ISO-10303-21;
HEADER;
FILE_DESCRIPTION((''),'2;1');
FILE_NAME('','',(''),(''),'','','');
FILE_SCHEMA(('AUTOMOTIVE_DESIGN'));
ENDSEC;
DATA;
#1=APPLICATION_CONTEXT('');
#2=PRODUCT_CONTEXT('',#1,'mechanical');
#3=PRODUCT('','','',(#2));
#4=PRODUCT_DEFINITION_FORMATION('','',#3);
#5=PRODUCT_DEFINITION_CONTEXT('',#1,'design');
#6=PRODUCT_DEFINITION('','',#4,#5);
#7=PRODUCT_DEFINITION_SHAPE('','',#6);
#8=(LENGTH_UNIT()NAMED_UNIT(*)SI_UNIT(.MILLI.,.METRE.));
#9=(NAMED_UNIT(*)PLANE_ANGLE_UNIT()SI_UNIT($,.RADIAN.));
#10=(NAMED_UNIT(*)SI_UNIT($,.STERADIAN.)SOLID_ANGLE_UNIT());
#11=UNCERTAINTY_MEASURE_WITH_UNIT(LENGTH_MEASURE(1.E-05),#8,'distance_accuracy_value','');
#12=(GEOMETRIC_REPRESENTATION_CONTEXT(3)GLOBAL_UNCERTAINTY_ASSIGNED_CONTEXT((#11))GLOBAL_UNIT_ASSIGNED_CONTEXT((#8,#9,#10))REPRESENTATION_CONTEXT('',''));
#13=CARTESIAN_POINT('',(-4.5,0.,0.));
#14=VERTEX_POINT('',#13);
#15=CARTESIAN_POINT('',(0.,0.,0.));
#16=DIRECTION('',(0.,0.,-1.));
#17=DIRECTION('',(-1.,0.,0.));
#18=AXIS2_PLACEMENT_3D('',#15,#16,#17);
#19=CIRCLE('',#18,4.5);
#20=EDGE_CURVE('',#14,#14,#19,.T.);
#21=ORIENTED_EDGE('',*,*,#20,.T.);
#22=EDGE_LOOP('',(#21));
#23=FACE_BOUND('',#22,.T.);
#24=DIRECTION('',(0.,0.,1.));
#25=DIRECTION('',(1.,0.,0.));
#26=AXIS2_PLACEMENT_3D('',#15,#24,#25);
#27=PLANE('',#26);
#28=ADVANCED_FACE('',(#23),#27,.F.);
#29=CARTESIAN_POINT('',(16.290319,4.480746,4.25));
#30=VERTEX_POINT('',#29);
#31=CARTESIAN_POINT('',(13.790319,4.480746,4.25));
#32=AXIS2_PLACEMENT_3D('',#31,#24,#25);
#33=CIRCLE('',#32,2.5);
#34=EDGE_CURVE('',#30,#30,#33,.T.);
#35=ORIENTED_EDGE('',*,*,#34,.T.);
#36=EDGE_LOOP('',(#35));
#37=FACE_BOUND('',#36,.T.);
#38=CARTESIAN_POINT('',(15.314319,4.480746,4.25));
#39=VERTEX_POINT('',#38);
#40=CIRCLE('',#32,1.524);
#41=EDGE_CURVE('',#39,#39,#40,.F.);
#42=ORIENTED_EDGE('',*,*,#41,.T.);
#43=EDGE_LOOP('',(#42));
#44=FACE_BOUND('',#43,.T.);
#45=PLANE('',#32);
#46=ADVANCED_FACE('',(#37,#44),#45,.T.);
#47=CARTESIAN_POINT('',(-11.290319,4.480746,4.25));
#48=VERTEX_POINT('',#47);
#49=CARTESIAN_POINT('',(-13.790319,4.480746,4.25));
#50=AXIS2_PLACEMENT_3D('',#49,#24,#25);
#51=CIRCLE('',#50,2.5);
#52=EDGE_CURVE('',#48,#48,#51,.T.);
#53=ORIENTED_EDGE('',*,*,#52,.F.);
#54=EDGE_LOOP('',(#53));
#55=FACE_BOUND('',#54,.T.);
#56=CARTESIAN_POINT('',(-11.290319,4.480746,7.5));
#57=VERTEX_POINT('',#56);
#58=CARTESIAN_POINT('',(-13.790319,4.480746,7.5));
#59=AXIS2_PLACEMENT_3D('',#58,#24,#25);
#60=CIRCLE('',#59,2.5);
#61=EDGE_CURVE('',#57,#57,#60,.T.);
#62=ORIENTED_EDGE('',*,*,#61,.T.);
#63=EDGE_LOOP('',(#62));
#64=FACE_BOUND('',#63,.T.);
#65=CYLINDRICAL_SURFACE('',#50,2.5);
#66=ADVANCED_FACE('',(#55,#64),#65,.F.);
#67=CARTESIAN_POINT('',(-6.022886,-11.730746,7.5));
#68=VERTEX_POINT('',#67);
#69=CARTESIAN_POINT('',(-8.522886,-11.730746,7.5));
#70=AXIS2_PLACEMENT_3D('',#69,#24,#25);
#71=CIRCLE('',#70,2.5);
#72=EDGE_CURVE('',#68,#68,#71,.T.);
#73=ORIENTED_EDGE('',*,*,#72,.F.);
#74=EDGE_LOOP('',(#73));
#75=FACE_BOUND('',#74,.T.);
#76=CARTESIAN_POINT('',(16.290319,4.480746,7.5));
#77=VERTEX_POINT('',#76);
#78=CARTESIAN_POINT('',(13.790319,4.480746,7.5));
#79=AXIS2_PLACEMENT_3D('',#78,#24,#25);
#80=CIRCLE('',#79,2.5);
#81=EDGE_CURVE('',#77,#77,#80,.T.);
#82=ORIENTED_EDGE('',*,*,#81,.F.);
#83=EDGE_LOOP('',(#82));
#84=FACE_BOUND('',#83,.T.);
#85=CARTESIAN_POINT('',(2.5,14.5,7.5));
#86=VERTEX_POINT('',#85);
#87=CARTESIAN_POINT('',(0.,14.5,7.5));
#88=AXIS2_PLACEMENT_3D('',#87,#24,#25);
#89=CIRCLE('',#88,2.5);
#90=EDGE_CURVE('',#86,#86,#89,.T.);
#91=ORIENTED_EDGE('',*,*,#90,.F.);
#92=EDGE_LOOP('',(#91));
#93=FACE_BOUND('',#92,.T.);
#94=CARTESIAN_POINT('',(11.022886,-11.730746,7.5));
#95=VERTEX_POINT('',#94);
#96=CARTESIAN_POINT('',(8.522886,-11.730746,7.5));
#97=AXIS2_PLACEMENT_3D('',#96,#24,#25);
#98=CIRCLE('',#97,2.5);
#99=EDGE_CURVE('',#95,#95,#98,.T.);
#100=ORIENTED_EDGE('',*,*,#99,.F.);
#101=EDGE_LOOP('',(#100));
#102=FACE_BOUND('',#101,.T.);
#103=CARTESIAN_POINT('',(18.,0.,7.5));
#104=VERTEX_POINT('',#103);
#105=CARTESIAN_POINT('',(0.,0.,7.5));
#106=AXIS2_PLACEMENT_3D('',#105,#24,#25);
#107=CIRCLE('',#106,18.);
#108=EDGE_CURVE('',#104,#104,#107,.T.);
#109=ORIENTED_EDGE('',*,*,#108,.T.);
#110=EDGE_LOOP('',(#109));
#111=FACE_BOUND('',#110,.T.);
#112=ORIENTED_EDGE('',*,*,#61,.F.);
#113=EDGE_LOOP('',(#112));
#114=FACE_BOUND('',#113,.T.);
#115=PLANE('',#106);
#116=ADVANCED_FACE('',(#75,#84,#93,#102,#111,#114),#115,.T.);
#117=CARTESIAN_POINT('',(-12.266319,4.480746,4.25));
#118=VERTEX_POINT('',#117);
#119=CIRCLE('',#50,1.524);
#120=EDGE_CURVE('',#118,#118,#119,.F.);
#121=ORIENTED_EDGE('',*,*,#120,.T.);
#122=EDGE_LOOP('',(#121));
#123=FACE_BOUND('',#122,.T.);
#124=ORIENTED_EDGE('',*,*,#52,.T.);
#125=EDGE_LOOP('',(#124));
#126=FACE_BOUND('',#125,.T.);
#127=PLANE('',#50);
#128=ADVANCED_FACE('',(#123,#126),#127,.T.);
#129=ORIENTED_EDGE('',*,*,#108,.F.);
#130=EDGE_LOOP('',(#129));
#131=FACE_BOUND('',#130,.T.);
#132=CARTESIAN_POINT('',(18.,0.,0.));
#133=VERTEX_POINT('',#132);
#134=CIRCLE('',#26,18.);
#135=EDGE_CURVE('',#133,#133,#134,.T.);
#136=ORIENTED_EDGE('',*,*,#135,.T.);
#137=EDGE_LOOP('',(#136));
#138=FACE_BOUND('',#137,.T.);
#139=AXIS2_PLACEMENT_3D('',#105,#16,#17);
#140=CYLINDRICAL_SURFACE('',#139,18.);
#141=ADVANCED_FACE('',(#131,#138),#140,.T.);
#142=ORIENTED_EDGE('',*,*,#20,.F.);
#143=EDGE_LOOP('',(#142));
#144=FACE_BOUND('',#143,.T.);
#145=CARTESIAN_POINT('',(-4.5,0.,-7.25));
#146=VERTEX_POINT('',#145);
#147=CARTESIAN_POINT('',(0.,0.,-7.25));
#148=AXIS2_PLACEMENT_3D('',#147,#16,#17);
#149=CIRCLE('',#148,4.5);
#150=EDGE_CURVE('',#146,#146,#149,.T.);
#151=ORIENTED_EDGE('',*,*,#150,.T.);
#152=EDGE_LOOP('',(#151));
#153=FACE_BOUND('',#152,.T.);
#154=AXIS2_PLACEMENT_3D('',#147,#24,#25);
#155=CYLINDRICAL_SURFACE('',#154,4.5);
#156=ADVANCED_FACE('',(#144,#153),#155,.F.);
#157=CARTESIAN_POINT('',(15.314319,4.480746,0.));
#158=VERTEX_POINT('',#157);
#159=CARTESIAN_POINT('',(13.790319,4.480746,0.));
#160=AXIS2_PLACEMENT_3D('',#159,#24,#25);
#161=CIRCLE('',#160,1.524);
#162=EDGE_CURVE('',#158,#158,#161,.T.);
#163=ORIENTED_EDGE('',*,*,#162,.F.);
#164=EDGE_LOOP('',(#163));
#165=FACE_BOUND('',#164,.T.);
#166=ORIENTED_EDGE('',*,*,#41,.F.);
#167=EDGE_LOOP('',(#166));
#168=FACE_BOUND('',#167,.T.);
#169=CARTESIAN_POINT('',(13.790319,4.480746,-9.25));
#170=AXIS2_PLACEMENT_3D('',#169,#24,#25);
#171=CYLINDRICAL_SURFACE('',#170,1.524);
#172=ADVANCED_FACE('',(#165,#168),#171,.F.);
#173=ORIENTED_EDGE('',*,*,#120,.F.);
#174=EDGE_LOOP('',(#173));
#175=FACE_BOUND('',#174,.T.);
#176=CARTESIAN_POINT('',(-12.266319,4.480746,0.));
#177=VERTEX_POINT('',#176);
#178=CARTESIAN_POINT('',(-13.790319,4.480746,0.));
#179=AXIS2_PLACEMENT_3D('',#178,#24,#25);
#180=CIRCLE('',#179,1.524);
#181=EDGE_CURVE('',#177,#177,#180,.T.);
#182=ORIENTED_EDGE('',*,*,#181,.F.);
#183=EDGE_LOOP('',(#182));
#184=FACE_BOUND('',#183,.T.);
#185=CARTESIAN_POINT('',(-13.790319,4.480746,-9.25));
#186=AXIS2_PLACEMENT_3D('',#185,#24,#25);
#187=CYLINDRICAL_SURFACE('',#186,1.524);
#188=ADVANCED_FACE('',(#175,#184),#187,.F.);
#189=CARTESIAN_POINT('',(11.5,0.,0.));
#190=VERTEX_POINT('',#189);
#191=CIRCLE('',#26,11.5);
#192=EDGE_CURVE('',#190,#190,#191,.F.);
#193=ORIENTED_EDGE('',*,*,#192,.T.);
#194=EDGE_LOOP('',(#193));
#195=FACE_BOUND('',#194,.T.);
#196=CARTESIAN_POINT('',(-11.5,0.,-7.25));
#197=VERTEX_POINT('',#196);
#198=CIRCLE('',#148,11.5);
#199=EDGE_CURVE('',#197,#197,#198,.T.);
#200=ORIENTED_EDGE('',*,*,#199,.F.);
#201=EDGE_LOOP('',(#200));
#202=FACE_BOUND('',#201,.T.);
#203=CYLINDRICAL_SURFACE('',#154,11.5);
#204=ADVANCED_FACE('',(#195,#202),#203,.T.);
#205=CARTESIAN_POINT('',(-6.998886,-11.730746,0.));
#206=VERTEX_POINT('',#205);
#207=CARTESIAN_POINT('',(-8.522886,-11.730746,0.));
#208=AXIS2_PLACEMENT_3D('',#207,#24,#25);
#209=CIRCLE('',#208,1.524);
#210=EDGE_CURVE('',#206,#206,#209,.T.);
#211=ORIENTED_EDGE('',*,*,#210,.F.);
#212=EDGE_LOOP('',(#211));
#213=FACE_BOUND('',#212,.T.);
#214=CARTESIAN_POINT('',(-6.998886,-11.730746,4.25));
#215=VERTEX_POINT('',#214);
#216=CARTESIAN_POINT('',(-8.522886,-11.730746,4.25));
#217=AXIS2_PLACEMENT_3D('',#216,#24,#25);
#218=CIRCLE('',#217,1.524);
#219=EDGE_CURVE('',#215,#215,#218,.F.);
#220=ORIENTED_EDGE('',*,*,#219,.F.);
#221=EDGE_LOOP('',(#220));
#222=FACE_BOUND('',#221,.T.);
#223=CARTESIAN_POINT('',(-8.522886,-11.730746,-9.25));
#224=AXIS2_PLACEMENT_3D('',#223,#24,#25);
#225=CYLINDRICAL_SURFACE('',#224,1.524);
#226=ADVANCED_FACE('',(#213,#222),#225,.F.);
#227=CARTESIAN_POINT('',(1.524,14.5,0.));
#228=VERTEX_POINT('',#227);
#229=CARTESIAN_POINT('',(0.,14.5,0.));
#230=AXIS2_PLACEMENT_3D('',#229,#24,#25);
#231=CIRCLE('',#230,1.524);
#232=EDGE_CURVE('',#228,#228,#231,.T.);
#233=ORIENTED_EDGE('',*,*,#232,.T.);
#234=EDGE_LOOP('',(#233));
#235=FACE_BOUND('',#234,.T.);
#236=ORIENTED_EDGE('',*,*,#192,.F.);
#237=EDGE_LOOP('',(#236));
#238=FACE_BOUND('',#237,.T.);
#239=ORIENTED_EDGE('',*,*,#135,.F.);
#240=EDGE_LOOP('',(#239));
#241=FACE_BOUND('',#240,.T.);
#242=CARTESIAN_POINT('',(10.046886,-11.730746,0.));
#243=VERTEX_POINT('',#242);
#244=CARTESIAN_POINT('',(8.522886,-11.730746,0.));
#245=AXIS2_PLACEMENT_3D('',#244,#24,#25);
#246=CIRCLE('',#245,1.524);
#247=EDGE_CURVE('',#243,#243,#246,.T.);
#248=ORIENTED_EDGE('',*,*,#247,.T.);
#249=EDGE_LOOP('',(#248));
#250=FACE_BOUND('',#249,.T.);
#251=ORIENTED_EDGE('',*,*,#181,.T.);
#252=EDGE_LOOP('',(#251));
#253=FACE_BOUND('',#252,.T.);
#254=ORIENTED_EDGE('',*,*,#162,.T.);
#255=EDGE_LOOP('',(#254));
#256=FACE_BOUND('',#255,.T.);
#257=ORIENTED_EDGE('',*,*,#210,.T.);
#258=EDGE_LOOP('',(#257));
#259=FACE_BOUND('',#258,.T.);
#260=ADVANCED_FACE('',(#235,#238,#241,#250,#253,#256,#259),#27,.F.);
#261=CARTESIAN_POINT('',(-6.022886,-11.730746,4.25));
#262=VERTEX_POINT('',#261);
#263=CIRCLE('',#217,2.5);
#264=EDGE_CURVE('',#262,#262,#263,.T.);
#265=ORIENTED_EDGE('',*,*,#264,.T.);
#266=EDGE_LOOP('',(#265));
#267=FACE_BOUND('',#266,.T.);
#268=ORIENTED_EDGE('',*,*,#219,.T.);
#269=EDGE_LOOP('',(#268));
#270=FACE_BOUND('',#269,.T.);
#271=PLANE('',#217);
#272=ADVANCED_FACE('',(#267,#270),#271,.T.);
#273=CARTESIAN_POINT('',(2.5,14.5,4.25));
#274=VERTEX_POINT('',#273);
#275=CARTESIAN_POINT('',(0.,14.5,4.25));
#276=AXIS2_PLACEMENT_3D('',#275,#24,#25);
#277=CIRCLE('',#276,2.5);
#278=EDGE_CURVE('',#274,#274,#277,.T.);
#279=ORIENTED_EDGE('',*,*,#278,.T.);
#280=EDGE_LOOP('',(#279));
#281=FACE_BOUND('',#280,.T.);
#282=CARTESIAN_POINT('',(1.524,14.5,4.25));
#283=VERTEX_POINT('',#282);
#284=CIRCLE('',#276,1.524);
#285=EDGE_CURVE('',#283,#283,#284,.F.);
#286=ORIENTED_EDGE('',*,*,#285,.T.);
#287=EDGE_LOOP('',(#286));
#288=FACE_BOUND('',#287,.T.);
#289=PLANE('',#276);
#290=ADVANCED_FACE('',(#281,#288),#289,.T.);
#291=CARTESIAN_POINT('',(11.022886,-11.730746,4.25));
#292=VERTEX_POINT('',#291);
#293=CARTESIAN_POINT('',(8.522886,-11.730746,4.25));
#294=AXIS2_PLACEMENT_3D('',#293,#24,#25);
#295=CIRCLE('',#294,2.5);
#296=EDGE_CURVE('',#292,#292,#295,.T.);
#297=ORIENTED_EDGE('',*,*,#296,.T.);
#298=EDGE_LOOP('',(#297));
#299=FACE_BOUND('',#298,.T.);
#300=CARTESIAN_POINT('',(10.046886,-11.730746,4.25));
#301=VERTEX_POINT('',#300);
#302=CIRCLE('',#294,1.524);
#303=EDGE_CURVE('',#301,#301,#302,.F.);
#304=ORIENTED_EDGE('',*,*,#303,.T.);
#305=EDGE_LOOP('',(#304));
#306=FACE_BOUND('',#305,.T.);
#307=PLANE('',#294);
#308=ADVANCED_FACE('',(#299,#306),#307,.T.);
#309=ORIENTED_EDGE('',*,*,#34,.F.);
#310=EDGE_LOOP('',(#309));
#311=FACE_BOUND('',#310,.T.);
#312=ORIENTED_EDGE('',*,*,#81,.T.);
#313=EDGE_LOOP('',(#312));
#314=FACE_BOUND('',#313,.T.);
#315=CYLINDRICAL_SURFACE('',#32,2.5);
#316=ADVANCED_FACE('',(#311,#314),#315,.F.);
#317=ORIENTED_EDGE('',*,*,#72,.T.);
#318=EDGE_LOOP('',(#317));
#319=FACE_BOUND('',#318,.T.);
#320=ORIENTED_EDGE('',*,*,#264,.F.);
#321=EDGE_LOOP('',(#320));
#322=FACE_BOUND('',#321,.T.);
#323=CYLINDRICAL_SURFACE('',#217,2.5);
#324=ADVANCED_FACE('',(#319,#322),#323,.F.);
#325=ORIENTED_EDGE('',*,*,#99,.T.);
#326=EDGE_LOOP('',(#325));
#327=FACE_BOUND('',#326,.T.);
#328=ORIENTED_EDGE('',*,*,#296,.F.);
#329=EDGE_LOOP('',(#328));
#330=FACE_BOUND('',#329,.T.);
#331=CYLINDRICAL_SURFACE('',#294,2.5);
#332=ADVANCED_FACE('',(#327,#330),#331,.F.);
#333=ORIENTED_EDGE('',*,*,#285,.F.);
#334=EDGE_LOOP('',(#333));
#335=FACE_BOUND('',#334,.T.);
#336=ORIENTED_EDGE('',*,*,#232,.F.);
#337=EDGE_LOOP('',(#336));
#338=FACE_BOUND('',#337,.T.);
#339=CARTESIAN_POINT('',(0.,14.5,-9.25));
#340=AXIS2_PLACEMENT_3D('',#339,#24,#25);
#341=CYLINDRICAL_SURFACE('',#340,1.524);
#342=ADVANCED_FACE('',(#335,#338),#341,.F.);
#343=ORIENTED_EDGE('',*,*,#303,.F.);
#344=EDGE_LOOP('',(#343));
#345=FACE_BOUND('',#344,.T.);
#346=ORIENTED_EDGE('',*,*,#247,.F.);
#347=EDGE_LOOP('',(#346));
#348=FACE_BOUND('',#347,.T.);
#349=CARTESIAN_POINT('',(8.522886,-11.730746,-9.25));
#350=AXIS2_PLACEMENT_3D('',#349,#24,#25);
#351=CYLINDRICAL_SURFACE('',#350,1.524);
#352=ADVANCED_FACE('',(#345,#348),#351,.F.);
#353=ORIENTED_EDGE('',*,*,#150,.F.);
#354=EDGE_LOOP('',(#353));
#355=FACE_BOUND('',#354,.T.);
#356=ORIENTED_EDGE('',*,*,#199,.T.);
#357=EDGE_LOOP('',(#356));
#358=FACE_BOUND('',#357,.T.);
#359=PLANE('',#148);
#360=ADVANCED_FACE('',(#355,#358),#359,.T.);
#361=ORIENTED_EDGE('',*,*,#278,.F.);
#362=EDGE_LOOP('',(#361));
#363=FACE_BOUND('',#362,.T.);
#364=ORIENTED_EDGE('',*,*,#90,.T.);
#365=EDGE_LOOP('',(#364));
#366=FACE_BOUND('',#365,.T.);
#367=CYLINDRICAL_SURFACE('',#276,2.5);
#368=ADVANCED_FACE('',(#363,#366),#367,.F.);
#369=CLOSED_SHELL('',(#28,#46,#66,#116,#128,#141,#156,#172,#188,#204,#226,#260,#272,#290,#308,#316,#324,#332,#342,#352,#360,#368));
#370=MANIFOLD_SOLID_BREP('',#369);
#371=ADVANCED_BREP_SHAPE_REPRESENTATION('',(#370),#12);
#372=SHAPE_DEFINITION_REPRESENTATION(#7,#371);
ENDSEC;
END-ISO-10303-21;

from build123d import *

# Parameters (mm, degrees)
SKETCH1_R           = 18
BOSS_EXTRUDE1_DEPTH = 7.5
SKETCH2_R           = 11.5
SKETCH2_R_2         = 4.5
BOSS_EXTRUDE2_DEPTH = 7.25
SKETCH3_R           = 1.524
CUT_EXTRUDE1_DEPTH  = 16.75
SKETCH4_R           = 2.5
CUT_EXTRUDE2_DEPTH  = 3.25


with BuildPart() as part:
    # Sketch1 → Boss-Extrude1 (new body)
    with BuildSketch(Plane.XY):
        Circle(SKETCH1_R)
    extrude(amount=BOSS_EXTRUDE1_DEPTH)

    # Sketch2 → Boss-Extrude2 (add)
    with BuildSketch(Plane(origin=(0, 0, 0), x_dir=(-1, 0, 0), z_dir=(0, 0, -1))):
        Circle(SKETCH2_R)
        Circle(SKETCH2_R_2, mode=Mode.SUBTRACT)
    extrude(amount=BOSS_EXTRUDE2_DEPTH)

    # Sketch3 → Cut-Extrude1 (cut)
    with BuildSketch(Plane.XY.offset(7.5)):
        with Locations((0, 14.5)):
            Circle(SKETCH3_R)
        with Locations((13.790319486, 4.480746418)):
            Circle(SKETCH3_R)
        with Locations((8.522886158, -11.730746418)):
            Circle(SKETCH3_R)
        with Locations((-8.522886158, -11.730746418)):
            Circle(SKETCH3_R)
        with Locations((-13.790319486, 4.480746418)):
            Circle(SKETCH3_R)
    extrude(amount=-CUT_EXTRUDE1_DEPTH, mode=Mode.SUBTRACT)

    # Sketch4 → Cut-Extrude2 (cut)
    with BuildSketch(Plane.XY.offset(7.5)):
        with Locations((0, 14.5)):
            Circle(SKETCH4_R)
        with Locations((13.790319486, 4.480746418)):
            Circle(SKETCH4_R)
        with Locations((8.522886158, -11.730746418)):
            Circle(SKETCH4_R)
        with Locations((-8.522886158, -11.730746418)):
            Circle(SKETCH4_R)
        with Locations((-13.790319486, 4.480746418)):
            Circle(SKETCH4_R)
    extrude(amount=-CUT_EXTRUDE2_DEPTH, mode=Mode.SUBTRACT)


solid = part.part
